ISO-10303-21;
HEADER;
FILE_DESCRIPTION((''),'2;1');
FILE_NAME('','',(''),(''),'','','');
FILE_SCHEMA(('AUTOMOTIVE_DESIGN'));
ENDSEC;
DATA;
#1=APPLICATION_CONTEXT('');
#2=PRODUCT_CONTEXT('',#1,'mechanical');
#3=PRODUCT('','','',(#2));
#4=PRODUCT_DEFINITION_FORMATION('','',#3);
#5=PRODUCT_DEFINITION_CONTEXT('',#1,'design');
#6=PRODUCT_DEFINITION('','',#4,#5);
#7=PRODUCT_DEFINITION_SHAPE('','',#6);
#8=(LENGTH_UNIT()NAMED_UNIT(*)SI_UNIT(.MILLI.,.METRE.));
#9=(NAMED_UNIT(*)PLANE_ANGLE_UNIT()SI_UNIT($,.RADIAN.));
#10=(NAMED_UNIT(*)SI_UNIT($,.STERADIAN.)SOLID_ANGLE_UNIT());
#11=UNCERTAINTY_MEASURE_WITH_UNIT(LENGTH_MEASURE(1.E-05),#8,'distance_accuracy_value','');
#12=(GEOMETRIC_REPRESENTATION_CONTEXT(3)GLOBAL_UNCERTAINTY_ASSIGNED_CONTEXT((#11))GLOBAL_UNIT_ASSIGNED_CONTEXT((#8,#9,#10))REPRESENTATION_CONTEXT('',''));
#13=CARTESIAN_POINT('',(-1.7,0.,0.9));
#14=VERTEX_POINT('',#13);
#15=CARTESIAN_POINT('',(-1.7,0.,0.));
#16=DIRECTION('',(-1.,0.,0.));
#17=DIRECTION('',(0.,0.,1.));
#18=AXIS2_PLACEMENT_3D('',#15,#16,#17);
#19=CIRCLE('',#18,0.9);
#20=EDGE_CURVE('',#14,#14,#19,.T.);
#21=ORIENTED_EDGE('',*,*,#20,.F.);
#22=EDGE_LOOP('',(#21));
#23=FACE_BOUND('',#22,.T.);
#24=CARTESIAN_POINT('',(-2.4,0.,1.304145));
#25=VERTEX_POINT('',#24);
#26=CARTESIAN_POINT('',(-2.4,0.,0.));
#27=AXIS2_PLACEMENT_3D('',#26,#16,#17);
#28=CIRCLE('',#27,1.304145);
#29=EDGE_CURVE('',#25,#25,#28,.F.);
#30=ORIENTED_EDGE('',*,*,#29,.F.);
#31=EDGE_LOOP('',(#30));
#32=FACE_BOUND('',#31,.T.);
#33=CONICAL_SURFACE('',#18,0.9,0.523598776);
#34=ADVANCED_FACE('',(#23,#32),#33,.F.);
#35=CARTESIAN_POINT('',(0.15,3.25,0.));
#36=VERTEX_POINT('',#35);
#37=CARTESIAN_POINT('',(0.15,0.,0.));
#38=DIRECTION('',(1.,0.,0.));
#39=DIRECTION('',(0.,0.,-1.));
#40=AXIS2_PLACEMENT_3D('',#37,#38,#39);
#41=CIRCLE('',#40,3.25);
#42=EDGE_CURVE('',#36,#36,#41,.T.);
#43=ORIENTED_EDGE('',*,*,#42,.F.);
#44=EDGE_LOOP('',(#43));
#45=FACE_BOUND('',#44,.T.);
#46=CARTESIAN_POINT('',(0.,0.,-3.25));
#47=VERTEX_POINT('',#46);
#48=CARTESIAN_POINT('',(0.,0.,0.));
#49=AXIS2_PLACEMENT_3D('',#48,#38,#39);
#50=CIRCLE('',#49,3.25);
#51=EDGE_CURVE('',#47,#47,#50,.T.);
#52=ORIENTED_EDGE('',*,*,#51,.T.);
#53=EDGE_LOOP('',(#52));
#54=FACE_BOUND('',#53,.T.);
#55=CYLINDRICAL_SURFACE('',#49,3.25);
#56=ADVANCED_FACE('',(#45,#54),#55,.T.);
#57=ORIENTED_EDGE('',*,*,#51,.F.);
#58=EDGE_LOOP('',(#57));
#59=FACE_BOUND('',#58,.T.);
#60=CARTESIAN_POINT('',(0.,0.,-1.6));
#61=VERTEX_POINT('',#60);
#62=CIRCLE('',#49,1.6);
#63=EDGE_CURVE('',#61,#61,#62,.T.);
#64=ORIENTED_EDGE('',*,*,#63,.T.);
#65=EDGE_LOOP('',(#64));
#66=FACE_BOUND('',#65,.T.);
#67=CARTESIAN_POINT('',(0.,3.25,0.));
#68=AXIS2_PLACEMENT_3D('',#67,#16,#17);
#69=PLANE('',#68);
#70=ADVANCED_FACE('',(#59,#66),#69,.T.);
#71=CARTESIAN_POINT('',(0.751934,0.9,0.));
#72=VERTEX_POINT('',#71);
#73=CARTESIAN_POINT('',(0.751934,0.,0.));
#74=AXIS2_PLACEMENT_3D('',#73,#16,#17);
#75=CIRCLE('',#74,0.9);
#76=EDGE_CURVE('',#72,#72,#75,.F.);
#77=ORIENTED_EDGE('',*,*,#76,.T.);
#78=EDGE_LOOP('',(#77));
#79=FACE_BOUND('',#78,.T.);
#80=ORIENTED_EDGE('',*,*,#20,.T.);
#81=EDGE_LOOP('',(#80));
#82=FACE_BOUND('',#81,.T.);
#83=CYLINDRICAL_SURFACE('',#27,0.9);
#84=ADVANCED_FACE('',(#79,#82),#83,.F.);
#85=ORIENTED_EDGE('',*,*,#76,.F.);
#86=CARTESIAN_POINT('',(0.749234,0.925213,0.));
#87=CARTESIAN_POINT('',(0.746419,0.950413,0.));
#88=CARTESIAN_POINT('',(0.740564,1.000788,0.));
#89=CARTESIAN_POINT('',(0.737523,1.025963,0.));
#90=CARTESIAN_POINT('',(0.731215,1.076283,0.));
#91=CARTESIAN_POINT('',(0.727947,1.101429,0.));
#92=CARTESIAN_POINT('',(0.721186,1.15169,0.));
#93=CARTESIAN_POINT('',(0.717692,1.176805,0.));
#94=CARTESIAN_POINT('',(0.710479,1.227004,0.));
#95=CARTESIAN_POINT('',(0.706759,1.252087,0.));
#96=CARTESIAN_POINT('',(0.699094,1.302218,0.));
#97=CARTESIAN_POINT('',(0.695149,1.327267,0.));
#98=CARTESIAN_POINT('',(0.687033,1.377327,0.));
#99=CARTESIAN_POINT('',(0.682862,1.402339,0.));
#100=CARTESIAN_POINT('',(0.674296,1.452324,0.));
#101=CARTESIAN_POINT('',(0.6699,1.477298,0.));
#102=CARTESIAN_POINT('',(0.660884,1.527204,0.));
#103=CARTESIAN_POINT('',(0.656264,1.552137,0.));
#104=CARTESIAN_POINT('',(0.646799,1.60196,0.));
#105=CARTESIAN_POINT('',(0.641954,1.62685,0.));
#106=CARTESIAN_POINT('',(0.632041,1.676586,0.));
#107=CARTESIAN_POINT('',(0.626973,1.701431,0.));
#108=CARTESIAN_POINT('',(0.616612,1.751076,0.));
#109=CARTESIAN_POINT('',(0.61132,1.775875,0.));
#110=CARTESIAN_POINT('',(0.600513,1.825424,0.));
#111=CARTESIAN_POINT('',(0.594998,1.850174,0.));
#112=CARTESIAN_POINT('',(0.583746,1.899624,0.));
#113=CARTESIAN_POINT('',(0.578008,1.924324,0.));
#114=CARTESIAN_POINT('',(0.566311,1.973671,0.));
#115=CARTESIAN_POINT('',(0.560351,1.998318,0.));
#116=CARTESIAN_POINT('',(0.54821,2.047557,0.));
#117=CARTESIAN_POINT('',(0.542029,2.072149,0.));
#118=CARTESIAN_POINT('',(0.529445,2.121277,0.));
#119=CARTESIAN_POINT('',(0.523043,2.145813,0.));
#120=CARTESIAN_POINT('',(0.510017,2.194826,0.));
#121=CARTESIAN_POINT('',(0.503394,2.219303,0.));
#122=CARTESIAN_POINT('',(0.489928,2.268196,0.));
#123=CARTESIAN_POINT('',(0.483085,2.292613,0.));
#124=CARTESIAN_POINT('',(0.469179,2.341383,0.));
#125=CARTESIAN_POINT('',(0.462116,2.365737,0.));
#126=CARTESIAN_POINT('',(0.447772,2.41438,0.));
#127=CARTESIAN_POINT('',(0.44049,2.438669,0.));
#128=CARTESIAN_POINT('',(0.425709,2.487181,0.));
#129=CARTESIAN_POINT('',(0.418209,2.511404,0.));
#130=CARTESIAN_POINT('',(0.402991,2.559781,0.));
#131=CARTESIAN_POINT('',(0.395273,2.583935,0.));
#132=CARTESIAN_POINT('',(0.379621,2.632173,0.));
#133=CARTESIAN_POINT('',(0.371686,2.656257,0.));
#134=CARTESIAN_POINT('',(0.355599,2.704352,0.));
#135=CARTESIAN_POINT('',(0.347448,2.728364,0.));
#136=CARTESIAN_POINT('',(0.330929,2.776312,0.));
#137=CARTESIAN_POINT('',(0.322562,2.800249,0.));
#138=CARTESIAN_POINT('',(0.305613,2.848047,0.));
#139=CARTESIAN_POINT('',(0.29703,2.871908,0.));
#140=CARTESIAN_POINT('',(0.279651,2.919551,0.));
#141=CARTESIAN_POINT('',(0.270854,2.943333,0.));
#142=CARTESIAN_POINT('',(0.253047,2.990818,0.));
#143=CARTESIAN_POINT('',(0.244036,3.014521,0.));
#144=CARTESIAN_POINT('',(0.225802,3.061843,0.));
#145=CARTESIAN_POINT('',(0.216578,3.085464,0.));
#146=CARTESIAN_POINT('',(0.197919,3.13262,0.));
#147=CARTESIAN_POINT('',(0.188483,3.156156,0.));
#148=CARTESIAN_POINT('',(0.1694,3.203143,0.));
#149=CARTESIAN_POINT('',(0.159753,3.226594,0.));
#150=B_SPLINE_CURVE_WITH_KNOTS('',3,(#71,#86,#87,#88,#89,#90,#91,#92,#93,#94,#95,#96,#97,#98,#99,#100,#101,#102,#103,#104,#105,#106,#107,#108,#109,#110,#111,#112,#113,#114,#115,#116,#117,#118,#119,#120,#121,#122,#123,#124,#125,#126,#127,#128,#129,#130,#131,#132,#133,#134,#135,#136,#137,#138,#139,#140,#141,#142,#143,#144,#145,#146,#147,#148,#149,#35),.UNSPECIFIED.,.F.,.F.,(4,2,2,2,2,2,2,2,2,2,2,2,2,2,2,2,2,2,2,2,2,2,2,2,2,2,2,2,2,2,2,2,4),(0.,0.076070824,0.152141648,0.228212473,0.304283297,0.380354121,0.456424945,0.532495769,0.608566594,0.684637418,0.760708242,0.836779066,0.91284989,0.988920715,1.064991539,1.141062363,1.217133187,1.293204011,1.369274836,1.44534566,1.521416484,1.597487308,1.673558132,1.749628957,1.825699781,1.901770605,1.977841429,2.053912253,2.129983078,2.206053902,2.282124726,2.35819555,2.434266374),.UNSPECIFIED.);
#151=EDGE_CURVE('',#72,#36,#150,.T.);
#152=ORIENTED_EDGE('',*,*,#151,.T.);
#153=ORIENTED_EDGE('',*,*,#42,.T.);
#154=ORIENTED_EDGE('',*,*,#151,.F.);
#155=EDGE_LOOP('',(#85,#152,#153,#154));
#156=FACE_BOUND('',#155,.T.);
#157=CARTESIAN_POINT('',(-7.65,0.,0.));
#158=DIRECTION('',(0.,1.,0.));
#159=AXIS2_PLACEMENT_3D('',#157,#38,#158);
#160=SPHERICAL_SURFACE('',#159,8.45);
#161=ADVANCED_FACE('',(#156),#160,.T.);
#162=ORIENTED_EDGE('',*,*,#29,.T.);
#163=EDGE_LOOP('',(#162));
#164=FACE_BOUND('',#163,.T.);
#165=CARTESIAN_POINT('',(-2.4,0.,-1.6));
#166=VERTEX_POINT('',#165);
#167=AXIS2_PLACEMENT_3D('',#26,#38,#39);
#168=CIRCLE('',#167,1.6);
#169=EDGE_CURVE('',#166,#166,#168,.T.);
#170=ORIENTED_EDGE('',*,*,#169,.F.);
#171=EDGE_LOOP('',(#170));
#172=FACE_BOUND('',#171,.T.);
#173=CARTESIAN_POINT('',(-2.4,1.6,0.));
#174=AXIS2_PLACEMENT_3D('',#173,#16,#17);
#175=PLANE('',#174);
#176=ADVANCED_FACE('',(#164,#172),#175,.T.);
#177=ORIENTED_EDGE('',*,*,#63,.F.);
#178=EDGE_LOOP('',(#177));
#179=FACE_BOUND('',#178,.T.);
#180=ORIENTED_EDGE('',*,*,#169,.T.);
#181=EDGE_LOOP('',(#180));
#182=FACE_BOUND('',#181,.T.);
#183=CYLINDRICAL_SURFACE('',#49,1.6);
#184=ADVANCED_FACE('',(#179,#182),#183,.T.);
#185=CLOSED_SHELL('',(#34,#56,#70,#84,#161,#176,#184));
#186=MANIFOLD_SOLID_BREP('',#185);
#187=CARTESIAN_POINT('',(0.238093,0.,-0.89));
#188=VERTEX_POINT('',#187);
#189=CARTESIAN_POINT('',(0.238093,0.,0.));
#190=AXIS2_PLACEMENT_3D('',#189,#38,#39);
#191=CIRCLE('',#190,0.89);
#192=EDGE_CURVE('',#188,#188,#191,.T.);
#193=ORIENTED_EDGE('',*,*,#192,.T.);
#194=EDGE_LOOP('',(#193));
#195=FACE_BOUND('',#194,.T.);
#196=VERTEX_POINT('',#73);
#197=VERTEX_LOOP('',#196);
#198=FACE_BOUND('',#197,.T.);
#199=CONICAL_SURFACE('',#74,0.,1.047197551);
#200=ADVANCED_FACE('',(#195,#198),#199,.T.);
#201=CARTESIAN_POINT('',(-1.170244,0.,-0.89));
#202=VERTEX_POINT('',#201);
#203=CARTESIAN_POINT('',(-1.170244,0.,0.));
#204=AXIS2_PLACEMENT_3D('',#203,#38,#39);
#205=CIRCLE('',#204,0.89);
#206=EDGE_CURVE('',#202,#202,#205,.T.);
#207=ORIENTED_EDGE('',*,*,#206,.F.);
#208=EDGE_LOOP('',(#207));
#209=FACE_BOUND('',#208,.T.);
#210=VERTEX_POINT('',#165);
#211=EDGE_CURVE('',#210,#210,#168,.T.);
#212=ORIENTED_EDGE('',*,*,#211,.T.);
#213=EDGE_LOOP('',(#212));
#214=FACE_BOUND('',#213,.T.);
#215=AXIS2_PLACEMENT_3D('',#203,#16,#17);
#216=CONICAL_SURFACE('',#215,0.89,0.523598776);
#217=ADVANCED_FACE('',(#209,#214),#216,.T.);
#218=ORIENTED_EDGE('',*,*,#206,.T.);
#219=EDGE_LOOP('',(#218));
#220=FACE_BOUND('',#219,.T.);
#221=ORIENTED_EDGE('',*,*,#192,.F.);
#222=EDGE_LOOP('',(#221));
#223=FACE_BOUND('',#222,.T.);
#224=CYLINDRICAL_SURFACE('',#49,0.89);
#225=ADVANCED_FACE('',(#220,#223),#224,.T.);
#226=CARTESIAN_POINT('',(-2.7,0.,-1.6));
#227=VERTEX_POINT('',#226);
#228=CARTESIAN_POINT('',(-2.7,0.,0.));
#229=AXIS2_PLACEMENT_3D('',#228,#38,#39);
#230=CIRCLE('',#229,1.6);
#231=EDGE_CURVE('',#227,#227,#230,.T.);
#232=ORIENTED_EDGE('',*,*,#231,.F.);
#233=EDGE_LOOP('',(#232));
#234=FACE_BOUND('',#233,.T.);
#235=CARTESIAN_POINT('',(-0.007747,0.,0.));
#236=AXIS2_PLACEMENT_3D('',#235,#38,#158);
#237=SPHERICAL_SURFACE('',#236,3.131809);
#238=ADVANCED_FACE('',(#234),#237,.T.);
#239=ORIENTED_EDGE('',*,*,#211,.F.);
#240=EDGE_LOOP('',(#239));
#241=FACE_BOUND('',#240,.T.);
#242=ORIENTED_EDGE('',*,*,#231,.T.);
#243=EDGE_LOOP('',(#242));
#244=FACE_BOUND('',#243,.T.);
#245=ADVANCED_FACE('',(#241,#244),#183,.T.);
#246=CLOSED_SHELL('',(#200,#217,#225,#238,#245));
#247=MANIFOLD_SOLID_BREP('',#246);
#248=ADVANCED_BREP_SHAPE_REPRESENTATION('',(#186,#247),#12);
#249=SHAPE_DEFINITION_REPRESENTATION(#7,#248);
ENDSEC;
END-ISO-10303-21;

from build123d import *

# Parameters (mm, degrees)
F_1_8_1_8_DIAMETER_HOLE1_D = 1.8
CHAMFER1_SIZE              = 0.7
CHAMFER1_SIZE2             = 0.404145188


with BuildPart() as part:
    # Sketch1 → Revolve1 (revolve)
    with BuildSketch(Plane.XY, mode=Mode.PRIVATE) as revolve1_sk:
        with BuildLine():
            Line((0, 3.25), (0, 1.6))
            Line((0, 1.6), (-2.4, 1.6))
            Line((-2.4, 1.6), (-2.4, 0))
            Line((-2.4, 0), (0.8, 0))
            ThreePointArc((0.8, 0), (0.63590671, 1.657181342), (0.15, 3.25))
            Line((0.15, 3.25), (0, 3.25))
        make_face()
    revolve(revolve1_sk.sketch.rotate(Axis((0, 0, 0), (-1, 0, 0)), 90), axis=Axis((0, 0, 0), (-1, 0, 0)))

    # Ø1.8 (1.8) Diameter Hole1 (through all)
    with Locations(Plane.ZY.offset(2.4)):
        with Locations((0, 0)):
            Hole(F_1_8_1_8_DIAMETER_HOLE1_D / 2)

    # Chamfer1
    chamfer1_edges = [part.edges().sort_by_distance(p)[0] for p in [
        (-2.4, 0, 0.9),
    ]]
    chamfer1_side = [part.faces().sort_by_distance(p)[0] for p in [
        (-0.824032849, 0, 0.9),
    ]]
    chamfer(chamfer1_edges, length=CHAMFER1_SIZE, length2=CHAMFER1_SIZE2, reference=chamfer1_side[0])


with BuildPart() as body_2:
    # Sketch5 → Revolve2 (revolve)
    with BuildSketch(Plane.XY):
        with BuildLine():
            Line((0.751934301, 0), (0.238092562, 0.89))
            Line((0.238092562, 0.89), (-1.170243927, 0.89))
            Line((-1.170243927, 0.89), (-2.4, 1.6))
            Line((-2.4, 1.6), (-2.7, 1.6))
            ThreePointArc((-2.7, 1.6), (-3.027668145, 0.829639869), (-3.139555738, 0))
            Line((-3.139555738, 0), (0.751934301, 0))
        make_face()
    revolve(axis=Axis((0, 0, 0), (-1, 0, 0)))


solid = Compound([part.part, body_2.part])
